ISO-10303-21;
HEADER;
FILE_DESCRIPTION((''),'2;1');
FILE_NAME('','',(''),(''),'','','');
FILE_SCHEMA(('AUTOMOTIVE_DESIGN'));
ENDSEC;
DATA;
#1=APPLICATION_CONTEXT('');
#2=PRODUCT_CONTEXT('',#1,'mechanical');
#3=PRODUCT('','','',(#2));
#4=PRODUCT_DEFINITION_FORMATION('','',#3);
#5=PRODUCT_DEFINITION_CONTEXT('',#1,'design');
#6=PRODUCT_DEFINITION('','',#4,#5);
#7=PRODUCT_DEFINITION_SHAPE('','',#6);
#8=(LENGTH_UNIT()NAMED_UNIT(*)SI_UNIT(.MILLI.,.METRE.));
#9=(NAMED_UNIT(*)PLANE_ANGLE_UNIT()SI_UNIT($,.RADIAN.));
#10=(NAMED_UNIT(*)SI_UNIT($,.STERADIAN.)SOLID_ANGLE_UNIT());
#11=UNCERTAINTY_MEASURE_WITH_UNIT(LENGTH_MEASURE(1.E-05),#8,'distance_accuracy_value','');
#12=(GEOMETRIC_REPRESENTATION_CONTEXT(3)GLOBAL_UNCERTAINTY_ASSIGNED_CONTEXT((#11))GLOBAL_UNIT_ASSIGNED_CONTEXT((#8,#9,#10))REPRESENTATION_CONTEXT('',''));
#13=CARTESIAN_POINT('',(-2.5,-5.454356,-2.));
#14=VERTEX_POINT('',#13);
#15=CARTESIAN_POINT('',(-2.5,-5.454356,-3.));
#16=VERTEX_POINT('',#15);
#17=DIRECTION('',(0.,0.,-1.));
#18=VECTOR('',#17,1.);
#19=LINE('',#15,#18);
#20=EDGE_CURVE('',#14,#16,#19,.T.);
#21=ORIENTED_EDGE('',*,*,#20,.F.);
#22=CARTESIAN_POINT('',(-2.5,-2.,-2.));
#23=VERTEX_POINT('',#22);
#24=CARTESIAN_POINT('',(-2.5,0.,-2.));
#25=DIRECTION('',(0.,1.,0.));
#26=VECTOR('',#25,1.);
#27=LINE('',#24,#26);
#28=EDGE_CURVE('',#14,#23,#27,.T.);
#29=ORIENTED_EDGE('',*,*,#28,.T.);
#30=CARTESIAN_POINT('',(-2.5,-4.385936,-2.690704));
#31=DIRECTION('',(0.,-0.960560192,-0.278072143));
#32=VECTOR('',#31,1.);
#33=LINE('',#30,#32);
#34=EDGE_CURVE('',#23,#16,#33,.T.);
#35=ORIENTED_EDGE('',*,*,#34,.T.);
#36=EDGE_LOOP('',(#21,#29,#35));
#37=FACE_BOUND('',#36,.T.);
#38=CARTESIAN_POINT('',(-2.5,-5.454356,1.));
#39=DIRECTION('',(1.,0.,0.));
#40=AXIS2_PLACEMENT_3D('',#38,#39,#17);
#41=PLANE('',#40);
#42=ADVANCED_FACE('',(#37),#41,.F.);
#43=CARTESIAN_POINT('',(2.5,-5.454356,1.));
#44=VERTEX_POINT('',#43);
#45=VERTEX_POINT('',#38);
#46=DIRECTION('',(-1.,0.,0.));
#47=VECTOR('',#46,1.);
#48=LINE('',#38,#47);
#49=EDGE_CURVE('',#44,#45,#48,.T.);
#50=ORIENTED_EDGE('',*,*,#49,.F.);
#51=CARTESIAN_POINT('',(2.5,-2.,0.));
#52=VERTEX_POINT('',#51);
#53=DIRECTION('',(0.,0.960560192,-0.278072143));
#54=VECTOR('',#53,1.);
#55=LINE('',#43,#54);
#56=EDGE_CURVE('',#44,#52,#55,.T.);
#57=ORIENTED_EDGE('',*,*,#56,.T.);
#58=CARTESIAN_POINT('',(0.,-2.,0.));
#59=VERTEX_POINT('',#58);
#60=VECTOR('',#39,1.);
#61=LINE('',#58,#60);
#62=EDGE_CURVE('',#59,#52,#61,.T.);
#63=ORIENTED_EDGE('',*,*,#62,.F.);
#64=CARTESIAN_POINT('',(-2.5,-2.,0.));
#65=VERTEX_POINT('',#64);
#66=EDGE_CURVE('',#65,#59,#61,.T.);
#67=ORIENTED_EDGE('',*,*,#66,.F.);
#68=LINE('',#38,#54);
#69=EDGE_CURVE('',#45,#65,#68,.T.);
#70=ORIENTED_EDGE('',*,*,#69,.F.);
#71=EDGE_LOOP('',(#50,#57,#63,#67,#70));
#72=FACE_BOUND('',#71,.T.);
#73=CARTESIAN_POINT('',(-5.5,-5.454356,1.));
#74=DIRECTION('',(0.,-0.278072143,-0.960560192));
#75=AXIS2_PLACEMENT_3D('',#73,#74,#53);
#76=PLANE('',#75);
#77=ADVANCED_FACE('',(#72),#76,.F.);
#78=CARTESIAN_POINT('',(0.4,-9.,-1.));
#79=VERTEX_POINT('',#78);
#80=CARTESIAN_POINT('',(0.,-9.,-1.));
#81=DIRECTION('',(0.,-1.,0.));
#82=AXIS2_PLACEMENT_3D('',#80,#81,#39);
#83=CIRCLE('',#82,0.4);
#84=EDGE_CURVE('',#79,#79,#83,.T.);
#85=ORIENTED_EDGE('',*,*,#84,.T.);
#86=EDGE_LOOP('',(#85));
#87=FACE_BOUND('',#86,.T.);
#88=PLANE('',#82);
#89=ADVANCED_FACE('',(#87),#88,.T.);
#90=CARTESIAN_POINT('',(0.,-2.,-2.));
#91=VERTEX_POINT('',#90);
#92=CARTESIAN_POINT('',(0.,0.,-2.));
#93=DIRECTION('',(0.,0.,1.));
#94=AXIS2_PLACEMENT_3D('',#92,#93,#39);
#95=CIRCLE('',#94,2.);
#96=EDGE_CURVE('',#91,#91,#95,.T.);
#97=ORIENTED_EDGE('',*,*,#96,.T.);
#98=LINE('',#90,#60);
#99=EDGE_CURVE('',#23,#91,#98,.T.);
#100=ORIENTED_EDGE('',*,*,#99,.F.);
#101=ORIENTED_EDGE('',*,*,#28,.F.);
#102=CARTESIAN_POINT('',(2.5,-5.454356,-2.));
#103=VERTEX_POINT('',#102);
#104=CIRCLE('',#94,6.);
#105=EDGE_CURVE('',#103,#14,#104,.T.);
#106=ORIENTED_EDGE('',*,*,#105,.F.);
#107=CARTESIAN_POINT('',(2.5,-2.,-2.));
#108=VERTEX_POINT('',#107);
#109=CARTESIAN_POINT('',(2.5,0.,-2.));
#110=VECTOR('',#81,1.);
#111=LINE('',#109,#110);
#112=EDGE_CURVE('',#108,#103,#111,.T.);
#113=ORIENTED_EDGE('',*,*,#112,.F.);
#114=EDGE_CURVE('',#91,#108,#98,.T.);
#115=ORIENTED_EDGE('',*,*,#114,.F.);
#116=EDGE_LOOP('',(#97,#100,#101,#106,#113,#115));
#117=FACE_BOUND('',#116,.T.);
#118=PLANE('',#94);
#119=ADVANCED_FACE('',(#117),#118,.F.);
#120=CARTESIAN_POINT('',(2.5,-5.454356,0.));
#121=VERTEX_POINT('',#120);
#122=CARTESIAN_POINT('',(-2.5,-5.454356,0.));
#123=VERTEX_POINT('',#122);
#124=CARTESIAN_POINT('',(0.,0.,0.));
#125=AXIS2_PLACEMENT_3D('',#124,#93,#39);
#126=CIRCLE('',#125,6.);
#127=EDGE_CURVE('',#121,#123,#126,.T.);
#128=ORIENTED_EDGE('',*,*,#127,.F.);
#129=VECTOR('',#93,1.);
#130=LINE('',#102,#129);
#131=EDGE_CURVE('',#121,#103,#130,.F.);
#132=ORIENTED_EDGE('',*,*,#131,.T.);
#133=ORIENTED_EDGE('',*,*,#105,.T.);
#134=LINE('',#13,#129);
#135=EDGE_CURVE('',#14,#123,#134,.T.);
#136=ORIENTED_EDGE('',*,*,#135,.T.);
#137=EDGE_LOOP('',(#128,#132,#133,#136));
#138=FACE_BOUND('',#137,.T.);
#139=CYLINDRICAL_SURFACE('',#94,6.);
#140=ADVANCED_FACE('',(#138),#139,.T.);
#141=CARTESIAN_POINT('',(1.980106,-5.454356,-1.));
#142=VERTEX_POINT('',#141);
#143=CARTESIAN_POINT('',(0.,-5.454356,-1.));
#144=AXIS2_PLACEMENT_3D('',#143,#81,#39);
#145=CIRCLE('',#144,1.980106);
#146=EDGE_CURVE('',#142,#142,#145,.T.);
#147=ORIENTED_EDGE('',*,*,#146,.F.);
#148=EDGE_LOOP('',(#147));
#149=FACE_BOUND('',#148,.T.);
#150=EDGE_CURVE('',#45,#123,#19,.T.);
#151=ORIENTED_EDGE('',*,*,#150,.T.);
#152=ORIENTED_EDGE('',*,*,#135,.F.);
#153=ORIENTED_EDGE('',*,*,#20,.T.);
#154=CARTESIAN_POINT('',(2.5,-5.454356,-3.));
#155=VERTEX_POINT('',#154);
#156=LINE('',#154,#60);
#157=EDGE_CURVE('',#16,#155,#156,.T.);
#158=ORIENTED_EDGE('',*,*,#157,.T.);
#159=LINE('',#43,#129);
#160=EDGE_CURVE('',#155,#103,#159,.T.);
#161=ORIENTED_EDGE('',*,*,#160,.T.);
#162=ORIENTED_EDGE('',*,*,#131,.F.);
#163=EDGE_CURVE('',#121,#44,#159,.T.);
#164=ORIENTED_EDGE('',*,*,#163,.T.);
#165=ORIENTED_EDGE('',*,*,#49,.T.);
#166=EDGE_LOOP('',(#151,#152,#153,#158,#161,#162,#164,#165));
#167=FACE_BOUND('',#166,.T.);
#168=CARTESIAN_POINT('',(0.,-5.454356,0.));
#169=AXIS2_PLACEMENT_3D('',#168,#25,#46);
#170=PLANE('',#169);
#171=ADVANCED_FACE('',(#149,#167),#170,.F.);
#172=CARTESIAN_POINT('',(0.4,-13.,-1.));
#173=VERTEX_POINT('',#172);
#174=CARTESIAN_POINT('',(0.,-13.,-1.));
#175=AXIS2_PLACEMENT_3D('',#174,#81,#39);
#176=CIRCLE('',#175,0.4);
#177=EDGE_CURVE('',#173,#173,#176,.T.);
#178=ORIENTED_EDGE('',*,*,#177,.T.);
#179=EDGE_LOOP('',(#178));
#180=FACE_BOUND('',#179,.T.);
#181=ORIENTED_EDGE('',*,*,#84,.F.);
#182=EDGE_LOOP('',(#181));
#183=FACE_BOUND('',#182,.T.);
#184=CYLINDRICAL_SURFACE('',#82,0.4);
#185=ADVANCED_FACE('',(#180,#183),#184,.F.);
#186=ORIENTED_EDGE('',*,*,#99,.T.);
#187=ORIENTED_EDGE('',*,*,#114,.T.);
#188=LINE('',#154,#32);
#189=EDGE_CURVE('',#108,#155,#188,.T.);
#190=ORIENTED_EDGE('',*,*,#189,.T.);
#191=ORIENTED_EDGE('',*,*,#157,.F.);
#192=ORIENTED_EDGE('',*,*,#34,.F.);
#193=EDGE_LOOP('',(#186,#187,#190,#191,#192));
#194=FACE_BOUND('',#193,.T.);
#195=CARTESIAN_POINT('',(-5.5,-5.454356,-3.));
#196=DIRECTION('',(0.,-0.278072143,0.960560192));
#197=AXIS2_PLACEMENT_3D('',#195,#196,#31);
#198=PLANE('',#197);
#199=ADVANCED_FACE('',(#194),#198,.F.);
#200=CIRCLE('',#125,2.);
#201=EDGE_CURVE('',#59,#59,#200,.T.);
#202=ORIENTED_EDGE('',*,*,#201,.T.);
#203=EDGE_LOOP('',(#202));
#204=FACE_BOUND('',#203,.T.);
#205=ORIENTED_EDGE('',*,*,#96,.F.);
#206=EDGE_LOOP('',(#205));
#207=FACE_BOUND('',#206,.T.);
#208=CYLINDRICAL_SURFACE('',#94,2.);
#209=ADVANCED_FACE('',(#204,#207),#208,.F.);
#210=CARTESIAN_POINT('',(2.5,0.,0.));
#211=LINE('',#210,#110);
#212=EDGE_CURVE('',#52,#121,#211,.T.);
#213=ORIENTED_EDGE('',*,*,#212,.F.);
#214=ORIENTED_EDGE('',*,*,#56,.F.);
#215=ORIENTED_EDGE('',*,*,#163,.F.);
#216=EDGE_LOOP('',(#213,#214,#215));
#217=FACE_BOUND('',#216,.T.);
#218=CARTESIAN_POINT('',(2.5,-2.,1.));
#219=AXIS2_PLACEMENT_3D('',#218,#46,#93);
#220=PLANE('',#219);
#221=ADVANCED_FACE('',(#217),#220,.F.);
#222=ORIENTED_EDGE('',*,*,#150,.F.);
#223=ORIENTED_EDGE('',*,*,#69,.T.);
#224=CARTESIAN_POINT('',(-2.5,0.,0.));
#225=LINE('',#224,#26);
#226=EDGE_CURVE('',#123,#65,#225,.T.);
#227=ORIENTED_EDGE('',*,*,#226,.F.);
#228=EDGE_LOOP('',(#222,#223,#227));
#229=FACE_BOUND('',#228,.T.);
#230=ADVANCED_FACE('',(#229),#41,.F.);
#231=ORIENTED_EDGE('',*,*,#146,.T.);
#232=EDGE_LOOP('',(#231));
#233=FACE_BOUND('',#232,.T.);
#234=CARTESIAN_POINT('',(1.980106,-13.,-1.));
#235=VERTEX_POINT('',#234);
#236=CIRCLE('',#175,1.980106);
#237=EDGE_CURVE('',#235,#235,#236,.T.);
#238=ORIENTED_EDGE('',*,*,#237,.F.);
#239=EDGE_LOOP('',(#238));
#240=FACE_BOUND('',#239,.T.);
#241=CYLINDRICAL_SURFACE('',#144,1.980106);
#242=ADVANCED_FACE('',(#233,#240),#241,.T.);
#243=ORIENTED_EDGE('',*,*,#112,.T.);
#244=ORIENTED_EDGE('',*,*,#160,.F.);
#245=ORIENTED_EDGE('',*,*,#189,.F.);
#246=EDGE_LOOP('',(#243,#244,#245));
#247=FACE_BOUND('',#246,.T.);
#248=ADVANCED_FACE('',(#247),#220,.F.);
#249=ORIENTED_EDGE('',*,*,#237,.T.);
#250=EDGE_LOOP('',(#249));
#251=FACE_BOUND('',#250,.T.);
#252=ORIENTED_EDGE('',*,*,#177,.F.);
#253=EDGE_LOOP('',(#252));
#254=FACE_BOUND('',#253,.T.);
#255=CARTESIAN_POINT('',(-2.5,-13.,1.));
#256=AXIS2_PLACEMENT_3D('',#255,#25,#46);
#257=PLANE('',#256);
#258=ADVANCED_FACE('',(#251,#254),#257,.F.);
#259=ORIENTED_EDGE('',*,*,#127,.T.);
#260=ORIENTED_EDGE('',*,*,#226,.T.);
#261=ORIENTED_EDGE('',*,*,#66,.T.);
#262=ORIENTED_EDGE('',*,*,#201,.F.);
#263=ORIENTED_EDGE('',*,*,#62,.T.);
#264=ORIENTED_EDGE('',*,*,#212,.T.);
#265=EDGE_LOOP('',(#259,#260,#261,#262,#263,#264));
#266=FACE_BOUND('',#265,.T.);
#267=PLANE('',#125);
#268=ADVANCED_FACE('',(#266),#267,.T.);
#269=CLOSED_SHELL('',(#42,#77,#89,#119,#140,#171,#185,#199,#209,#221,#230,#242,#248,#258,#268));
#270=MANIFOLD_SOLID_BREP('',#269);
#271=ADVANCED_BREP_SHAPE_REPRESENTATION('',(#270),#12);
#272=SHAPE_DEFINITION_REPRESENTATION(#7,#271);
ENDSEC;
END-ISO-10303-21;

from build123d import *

# Parameters (mm, degrees)
BOSS_EXTRUDE1_DEPTH      = 2
BOSS_EXTRUDE3_DEPTH      = 1
BOSS_EXTRUDE3_DEPTH_BACK = 3
SKETCH3_W                = 5
SKETCH3_H                = 4
SKETCH3_R                = 1.980106187
CUT_EXTRUDE1_DEPTH       = 7.545644
CUT_EXTRUDE2_DEPTH       = 8
SKETCH6_R                = 0.4
CUT_EXTRUDE3_DEPTH       = 4


with BuildPart() as part:
    # Sketch1 → Boss-Extrude1 (new body)
    with BuildSketch(Plane.XY):
        with BuildLine():
            ThreePointArc((0, 2), (1.414213562, 1.414213562), (2, 0))
            Line((2, 0), (6, 0))
            ThreePointArc((6, 0), (0, 6), (-6, 0))
            Line((-6, 0), (-2, 0))
            ThreePointArc((-2, 0), (-1.414213562, 1.414213562), (0, 2))
        make_face()
        with BuildLine():
            Line((6, 0), (2, 0))
            ThreePointArc((2, 0), (1.414213562, -1.414213562), (0, -2))
            ThreePointArc((0, -2), (-1.414213562, -1.414213562), (-2, 0))
            Line((-2, 0), (-6, 0))
            ThreePointArc((-6, 0), (0, -6), (6, 0))
        make_face()
    extrude(amount=-BOSS_EXTRUDE1_DEPTH)

    # Sketch2 → Boss-Extrude3 (add, two sides: drawn at the far end of the back side and taken through both)
    with BuildSketch(Plane.XY.offset(-BOSS_EXTRUDE3_DEPTH_BACK)):
        Polygon((-2.5, -13), (2.5, -13), (2.5, -5.454356057), (2.5, -2), (-2.5, -2), (-2.5, -5.454356057), align=None)
    extrude(amount=BOSS_EXTRUDE3_DEPTH + BOSS_EXTRUDE3_DEPTH_BACK)

    # Sketch3 → Cut-Extrude1 (cut)
    with BuildSketch(Plane.XZ.offset(13)):
        with Locations((0, -1)):
            Rectangle(SKETCH3_W, SKETCH3_H)
        with Locations((0, -1)):
            Circle(SKETCH3_R, mode=Mode.SUBTRACT)
    extrude(amount=-CUT_EXTRUDE1_DEPTH, mode=Mode.SUBTRACT)

    # Sketch5 → Cut-Extrude2 (cut)
    with BuildSketch(Plane(origin=(2.5, 0, 0), x_dir=(0, 0, -1), z_dir=(1, 0, 0))):
        Polygon((-1, -5.454356057), (0, -2), (-1, -2), align=None)
        Polygon((3, -5.454356057), (2, -2), (3, -2), align=None)
    extrude(amount=-CUT_EXTRUDE2_DEPTH, mode=Mode.SUBTRACT)

    # Sketch6 → Cut-Extrude3 (cut)
    with BuildSketch(Plane.XZ.offset(13)):
        with Locations((0, -1)):
            Circle(SKETCH6_R)
    extrude(amount=-CUT_EXTRUDE3_DEPTH, mode=Mode.SUBTRACT)


solid = part.part
